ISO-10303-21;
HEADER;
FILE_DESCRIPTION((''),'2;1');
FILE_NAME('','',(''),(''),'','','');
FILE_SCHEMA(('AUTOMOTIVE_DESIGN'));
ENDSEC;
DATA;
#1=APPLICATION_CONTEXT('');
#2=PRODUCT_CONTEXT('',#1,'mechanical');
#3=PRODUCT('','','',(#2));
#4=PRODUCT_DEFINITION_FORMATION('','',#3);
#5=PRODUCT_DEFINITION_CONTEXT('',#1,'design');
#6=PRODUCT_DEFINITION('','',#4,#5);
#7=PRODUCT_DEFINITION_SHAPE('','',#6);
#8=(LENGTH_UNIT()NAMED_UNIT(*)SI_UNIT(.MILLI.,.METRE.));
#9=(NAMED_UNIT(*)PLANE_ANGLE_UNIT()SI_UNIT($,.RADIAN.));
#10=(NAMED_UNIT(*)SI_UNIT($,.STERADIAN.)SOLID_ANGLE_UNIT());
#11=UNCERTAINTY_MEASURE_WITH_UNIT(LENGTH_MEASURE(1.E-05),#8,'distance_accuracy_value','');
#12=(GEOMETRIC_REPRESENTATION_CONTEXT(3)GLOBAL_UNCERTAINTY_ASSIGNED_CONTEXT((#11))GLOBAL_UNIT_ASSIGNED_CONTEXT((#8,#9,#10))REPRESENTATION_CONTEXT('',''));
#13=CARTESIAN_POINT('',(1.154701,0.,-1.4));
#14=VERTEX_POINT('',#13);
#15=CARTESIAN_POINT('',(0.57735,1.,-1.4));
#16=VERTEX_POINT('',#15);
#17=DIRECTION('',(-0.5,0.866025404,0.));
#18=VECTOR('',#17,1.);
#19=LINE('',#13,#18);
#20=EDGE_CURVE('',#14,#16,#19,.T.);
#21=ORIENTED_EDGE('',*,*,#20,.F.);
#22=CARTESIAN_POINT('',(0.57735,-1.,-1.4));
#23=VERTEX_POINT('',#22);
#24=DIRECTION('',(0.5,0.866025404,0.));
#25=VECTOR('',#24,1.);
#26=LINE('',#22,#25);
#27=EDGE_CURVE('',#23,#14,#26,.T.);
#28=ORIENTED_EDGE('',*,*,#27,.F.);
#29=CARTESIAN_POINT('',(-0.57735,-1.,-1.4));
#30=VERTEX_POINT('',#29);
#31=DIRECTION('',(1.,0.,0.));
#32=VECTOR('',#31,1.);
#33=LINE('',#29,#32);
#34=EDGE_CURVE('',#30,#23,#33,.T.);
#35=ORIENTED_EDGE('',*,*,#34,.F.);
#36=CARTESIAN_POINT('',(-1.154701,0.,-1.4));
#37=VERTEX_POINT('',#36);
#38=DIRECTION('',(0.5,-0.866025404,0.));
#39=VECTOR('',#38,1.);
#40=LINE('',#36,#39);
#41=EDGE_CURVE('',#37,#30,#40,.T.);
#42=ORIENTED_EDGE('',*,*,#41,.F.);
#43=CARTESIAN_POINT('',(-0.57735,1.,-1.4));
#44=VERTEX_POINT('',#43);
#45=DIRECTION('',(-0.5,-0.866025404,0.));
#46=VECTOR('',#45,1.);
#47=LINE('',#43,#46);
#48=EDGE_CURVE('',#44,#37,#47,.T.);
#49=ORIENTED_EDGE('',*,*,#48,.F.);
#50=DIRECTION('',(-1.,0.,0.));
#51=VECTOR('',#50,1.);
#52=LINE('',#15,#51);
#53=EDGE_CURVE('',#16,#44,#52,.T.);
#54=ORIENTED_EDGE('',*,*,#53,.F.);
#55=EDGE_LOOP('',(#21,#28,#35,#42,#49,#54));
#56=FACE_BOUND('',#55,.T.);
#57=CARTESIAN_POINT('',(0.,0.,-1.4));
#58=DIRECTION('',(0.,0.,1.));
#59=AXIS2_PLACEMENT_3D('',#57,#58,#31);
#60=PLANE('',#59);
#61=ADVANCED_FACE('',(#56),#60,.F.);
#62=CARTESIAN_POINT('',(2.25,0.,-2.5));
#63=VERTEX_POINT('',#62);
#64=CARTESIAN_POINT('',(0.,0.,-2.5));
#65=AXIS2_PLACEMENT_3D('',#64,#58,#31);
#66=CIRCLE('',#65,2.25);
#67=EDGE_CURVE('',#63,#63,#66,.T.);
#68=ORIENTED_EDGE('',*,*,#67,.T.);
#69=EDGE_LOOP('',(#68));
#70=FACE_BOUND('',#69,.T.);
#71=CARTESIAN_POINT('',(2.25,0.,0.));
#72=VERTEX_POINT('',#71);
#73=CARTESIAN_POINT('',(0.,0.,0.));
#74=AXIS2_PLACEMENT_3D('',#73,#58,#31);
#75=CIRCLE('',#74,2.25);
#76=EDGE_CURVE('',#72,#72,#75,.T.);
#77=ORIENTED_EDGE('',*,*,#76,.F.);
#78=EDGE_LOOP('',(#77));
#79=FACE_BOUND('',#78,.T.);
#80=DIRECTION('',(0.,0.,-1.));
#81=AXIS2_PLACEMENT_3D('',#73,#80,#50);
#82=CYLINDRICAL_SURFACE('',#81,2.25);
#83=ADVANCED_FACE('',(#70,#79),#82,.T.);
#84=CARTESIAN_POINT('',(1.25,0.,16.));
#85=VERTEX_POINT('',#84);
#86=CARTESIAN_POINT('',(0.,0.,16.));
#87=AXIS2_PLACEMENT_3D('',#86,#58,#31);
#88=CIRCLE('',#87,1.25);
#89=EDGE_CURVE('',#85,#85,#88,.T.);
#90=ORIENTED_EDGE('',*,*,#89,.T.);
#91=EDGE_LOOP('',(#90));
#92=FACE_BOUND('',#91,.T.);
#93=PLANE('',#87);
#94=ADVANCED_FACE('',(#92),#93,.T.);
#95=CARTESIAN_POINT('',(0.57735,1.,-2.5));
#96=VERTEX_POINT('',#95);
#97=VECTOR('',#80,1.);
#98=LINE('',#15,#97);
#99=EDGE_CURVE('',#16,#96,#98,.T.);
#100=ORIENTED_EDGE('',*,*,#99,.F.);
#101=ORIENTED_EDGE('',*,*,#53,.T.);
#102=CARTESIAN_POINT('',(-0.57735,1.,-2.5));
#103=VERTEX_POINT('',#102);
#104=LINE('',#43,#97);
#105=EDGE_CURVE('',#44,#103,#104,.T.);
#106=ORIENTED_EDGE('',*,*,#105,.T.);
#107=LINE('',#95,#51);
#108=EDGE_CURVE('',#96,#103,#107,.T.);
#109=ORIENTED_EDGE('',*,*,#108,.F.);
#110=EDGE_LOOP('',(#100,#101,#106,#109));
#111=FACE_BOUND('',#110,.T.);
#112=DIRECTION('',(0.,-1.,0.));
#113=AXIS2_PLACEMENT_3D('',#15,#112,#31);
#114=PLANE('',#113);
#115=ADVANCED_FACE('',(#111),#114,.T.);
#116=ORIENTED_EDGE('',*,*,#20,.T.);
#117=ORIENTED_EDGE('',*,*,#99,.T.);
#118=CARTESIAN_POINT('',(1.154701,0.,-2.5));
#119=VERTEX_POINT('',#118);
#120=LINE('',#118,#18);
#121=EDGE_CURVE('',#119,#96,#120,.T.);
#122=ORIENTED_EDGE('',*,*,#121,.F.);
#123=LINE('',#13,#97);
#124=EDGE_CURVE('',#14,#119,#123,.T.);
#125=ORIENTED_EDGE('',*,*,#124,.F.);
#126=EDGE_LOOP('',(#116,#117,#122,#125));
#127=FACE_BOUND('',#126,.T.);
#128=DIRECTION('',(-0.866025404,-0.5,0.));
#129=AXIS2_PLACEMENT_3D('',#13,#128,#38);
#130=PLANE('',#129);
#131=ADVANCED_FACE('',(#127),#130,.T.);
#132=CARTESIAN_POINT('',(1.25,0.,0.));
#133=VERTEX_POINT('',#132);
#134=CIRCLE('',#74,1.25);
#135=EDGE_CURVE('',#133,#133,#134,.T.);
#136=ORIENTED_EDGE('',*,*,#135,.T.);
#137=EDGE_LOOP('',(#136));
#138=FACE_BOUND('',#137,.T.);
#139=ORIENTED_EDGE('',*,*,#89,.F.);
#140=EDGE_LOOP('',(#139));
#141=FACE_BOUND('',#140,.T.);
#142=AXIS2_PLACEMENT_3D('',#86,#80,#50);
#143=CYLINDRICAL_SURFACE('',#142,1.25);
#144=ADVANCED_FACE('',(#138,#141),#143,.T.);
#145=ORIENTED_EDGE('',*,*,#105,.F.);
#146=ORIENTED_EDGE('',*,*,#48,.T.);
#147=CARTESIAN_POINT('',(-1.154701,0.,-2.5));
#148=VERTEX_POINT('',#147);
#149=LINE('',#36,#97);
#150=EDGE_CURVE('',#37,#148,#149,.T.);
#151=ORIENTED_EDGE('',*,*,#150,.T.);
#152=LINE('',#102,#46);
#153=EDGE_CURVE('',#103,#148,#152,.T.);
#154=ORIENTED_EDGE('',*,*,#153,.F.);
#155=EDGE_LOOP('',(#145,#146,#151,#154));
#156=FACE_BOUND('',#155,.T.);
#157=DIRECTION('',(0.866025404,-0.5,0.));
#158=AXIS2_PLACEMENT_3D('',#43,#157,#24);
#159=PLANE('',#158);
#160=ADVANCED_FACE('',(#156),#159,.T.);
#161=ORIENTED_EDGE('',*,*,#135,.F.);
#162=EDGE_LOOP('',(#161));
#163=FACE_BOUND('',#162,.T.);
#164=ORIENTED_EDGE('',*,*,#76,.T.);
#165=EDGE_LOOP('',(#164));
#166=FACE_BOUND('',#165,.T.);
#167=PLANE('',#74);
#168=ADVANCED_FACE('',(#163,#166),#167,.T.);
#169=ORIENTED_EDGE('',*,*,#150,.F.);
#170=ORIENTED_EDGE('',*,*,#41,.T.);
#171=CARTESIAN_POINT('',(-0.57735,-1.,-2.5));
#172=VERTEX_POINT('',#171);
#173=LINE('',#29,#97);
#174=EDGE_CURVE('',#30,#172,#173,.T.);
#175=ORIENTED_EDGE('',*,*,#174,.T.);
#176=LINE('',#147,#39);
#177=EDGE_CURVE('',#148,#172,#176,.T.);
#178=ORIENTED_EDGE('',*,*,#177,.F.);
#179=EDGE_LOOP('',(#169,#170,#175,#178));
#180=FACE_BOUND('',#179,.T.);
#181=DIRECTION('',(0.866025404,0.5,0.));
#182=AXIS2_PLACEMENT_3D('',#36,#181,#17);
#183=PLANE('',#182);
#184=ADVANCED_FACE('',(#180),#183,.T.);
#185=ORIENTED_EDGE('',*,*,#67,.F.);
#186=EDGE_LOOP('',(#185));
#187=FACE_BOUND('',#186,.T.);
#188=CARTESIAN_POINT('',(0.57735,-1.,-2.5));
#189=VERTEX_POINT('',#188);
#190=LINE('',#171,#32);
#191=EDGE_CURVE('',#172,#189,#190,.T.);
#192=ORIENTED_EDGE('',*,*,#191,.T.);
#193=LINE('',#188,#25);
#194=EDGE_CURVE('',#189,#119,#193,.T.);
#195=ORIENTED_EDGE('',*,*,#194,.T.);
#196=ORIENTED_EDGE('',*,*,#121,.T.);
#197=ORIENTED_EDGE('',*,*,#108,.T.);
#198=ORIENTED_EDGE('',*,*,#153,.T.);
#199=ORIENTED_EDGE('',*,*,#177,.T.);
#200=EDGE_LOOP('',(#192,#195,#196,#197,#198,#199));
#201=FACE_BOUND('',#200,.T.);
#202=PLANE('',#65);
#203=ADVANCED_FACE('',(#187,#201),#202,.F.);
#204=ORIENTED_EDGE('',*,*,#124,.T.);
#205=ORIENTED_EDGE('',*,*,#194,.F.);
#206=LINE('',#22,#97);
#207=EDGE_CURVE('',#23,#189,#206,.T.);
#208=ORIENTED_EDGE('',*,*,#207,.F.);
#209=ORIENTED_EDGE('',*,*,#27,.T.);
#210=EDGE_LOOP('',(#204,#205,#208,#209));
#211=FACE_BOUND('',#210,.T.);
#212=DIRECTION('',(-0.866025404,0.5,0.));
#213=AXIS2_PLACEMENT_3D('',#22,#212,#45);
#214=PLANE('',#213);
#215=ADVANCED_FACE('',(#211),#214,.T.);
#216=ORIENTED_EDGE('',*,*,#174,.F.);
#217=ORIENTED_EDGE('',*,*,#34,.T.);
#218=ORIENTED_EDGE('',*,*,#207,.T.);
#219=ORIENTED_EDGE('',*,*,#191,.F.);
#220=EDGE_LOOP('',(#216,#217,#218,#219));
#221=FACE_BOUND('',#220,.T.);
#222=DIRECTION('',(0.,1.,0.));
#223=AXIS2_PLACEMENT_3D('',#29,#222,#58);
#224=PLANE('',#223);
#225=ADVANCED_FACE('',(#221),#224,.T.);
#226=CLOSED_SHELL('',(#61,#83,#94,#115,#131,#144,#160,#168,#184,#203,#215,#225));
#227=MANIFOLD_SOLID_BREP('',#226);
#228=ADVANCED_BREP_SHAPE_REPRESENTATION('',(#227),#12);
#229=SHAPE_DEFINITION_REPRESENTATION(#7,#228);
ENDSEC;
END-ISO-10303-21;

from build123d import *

# Parameters (mm, degrees)
CABEZA_START            = -2.5
CROQUIS1_R              = 2.25
CABEZA_DEPTH            = 2.5
CROQUIS2_R              = 1.25
CUERPO_DEPTH            = 16
HEXAGONO_INTERIOR_START = -2.5
HEXAGONO_INTERIOR_DEPTH = 1.1


with BuildPart() as part:
    # Croquis1 → Cabeza (new body)
    with BuildSketch(Plane.XY.offset(CABEZA_START)):
        Circle(CROQUIS1_R)
    extrude(amount=CABEZA_DEPTH)

    # Croquis2 → Cuerpo (add)
    with BuildSketch(Plane.XY):
        Circle(CROQUIS2_R)
    extrude(amount=CUERPO_DEPTH)

    # Croquis3 → Hexagono_interior (cut)
    with BuildSketch(Plane.XY.offset(HEXAGONO_INTERIOR_START)):
        Polygon((1.154700538, 0), (0.577350269, 1), (-0.577350269, 1), (-1.154700538, 0), (-0.577350269, -1), (0.577350269, -1), align=None)
    extrude(amount=HEXAGONO_INTERIOR_DEPTH, mode=Mode.SUBTRACT)


solid = part.part
